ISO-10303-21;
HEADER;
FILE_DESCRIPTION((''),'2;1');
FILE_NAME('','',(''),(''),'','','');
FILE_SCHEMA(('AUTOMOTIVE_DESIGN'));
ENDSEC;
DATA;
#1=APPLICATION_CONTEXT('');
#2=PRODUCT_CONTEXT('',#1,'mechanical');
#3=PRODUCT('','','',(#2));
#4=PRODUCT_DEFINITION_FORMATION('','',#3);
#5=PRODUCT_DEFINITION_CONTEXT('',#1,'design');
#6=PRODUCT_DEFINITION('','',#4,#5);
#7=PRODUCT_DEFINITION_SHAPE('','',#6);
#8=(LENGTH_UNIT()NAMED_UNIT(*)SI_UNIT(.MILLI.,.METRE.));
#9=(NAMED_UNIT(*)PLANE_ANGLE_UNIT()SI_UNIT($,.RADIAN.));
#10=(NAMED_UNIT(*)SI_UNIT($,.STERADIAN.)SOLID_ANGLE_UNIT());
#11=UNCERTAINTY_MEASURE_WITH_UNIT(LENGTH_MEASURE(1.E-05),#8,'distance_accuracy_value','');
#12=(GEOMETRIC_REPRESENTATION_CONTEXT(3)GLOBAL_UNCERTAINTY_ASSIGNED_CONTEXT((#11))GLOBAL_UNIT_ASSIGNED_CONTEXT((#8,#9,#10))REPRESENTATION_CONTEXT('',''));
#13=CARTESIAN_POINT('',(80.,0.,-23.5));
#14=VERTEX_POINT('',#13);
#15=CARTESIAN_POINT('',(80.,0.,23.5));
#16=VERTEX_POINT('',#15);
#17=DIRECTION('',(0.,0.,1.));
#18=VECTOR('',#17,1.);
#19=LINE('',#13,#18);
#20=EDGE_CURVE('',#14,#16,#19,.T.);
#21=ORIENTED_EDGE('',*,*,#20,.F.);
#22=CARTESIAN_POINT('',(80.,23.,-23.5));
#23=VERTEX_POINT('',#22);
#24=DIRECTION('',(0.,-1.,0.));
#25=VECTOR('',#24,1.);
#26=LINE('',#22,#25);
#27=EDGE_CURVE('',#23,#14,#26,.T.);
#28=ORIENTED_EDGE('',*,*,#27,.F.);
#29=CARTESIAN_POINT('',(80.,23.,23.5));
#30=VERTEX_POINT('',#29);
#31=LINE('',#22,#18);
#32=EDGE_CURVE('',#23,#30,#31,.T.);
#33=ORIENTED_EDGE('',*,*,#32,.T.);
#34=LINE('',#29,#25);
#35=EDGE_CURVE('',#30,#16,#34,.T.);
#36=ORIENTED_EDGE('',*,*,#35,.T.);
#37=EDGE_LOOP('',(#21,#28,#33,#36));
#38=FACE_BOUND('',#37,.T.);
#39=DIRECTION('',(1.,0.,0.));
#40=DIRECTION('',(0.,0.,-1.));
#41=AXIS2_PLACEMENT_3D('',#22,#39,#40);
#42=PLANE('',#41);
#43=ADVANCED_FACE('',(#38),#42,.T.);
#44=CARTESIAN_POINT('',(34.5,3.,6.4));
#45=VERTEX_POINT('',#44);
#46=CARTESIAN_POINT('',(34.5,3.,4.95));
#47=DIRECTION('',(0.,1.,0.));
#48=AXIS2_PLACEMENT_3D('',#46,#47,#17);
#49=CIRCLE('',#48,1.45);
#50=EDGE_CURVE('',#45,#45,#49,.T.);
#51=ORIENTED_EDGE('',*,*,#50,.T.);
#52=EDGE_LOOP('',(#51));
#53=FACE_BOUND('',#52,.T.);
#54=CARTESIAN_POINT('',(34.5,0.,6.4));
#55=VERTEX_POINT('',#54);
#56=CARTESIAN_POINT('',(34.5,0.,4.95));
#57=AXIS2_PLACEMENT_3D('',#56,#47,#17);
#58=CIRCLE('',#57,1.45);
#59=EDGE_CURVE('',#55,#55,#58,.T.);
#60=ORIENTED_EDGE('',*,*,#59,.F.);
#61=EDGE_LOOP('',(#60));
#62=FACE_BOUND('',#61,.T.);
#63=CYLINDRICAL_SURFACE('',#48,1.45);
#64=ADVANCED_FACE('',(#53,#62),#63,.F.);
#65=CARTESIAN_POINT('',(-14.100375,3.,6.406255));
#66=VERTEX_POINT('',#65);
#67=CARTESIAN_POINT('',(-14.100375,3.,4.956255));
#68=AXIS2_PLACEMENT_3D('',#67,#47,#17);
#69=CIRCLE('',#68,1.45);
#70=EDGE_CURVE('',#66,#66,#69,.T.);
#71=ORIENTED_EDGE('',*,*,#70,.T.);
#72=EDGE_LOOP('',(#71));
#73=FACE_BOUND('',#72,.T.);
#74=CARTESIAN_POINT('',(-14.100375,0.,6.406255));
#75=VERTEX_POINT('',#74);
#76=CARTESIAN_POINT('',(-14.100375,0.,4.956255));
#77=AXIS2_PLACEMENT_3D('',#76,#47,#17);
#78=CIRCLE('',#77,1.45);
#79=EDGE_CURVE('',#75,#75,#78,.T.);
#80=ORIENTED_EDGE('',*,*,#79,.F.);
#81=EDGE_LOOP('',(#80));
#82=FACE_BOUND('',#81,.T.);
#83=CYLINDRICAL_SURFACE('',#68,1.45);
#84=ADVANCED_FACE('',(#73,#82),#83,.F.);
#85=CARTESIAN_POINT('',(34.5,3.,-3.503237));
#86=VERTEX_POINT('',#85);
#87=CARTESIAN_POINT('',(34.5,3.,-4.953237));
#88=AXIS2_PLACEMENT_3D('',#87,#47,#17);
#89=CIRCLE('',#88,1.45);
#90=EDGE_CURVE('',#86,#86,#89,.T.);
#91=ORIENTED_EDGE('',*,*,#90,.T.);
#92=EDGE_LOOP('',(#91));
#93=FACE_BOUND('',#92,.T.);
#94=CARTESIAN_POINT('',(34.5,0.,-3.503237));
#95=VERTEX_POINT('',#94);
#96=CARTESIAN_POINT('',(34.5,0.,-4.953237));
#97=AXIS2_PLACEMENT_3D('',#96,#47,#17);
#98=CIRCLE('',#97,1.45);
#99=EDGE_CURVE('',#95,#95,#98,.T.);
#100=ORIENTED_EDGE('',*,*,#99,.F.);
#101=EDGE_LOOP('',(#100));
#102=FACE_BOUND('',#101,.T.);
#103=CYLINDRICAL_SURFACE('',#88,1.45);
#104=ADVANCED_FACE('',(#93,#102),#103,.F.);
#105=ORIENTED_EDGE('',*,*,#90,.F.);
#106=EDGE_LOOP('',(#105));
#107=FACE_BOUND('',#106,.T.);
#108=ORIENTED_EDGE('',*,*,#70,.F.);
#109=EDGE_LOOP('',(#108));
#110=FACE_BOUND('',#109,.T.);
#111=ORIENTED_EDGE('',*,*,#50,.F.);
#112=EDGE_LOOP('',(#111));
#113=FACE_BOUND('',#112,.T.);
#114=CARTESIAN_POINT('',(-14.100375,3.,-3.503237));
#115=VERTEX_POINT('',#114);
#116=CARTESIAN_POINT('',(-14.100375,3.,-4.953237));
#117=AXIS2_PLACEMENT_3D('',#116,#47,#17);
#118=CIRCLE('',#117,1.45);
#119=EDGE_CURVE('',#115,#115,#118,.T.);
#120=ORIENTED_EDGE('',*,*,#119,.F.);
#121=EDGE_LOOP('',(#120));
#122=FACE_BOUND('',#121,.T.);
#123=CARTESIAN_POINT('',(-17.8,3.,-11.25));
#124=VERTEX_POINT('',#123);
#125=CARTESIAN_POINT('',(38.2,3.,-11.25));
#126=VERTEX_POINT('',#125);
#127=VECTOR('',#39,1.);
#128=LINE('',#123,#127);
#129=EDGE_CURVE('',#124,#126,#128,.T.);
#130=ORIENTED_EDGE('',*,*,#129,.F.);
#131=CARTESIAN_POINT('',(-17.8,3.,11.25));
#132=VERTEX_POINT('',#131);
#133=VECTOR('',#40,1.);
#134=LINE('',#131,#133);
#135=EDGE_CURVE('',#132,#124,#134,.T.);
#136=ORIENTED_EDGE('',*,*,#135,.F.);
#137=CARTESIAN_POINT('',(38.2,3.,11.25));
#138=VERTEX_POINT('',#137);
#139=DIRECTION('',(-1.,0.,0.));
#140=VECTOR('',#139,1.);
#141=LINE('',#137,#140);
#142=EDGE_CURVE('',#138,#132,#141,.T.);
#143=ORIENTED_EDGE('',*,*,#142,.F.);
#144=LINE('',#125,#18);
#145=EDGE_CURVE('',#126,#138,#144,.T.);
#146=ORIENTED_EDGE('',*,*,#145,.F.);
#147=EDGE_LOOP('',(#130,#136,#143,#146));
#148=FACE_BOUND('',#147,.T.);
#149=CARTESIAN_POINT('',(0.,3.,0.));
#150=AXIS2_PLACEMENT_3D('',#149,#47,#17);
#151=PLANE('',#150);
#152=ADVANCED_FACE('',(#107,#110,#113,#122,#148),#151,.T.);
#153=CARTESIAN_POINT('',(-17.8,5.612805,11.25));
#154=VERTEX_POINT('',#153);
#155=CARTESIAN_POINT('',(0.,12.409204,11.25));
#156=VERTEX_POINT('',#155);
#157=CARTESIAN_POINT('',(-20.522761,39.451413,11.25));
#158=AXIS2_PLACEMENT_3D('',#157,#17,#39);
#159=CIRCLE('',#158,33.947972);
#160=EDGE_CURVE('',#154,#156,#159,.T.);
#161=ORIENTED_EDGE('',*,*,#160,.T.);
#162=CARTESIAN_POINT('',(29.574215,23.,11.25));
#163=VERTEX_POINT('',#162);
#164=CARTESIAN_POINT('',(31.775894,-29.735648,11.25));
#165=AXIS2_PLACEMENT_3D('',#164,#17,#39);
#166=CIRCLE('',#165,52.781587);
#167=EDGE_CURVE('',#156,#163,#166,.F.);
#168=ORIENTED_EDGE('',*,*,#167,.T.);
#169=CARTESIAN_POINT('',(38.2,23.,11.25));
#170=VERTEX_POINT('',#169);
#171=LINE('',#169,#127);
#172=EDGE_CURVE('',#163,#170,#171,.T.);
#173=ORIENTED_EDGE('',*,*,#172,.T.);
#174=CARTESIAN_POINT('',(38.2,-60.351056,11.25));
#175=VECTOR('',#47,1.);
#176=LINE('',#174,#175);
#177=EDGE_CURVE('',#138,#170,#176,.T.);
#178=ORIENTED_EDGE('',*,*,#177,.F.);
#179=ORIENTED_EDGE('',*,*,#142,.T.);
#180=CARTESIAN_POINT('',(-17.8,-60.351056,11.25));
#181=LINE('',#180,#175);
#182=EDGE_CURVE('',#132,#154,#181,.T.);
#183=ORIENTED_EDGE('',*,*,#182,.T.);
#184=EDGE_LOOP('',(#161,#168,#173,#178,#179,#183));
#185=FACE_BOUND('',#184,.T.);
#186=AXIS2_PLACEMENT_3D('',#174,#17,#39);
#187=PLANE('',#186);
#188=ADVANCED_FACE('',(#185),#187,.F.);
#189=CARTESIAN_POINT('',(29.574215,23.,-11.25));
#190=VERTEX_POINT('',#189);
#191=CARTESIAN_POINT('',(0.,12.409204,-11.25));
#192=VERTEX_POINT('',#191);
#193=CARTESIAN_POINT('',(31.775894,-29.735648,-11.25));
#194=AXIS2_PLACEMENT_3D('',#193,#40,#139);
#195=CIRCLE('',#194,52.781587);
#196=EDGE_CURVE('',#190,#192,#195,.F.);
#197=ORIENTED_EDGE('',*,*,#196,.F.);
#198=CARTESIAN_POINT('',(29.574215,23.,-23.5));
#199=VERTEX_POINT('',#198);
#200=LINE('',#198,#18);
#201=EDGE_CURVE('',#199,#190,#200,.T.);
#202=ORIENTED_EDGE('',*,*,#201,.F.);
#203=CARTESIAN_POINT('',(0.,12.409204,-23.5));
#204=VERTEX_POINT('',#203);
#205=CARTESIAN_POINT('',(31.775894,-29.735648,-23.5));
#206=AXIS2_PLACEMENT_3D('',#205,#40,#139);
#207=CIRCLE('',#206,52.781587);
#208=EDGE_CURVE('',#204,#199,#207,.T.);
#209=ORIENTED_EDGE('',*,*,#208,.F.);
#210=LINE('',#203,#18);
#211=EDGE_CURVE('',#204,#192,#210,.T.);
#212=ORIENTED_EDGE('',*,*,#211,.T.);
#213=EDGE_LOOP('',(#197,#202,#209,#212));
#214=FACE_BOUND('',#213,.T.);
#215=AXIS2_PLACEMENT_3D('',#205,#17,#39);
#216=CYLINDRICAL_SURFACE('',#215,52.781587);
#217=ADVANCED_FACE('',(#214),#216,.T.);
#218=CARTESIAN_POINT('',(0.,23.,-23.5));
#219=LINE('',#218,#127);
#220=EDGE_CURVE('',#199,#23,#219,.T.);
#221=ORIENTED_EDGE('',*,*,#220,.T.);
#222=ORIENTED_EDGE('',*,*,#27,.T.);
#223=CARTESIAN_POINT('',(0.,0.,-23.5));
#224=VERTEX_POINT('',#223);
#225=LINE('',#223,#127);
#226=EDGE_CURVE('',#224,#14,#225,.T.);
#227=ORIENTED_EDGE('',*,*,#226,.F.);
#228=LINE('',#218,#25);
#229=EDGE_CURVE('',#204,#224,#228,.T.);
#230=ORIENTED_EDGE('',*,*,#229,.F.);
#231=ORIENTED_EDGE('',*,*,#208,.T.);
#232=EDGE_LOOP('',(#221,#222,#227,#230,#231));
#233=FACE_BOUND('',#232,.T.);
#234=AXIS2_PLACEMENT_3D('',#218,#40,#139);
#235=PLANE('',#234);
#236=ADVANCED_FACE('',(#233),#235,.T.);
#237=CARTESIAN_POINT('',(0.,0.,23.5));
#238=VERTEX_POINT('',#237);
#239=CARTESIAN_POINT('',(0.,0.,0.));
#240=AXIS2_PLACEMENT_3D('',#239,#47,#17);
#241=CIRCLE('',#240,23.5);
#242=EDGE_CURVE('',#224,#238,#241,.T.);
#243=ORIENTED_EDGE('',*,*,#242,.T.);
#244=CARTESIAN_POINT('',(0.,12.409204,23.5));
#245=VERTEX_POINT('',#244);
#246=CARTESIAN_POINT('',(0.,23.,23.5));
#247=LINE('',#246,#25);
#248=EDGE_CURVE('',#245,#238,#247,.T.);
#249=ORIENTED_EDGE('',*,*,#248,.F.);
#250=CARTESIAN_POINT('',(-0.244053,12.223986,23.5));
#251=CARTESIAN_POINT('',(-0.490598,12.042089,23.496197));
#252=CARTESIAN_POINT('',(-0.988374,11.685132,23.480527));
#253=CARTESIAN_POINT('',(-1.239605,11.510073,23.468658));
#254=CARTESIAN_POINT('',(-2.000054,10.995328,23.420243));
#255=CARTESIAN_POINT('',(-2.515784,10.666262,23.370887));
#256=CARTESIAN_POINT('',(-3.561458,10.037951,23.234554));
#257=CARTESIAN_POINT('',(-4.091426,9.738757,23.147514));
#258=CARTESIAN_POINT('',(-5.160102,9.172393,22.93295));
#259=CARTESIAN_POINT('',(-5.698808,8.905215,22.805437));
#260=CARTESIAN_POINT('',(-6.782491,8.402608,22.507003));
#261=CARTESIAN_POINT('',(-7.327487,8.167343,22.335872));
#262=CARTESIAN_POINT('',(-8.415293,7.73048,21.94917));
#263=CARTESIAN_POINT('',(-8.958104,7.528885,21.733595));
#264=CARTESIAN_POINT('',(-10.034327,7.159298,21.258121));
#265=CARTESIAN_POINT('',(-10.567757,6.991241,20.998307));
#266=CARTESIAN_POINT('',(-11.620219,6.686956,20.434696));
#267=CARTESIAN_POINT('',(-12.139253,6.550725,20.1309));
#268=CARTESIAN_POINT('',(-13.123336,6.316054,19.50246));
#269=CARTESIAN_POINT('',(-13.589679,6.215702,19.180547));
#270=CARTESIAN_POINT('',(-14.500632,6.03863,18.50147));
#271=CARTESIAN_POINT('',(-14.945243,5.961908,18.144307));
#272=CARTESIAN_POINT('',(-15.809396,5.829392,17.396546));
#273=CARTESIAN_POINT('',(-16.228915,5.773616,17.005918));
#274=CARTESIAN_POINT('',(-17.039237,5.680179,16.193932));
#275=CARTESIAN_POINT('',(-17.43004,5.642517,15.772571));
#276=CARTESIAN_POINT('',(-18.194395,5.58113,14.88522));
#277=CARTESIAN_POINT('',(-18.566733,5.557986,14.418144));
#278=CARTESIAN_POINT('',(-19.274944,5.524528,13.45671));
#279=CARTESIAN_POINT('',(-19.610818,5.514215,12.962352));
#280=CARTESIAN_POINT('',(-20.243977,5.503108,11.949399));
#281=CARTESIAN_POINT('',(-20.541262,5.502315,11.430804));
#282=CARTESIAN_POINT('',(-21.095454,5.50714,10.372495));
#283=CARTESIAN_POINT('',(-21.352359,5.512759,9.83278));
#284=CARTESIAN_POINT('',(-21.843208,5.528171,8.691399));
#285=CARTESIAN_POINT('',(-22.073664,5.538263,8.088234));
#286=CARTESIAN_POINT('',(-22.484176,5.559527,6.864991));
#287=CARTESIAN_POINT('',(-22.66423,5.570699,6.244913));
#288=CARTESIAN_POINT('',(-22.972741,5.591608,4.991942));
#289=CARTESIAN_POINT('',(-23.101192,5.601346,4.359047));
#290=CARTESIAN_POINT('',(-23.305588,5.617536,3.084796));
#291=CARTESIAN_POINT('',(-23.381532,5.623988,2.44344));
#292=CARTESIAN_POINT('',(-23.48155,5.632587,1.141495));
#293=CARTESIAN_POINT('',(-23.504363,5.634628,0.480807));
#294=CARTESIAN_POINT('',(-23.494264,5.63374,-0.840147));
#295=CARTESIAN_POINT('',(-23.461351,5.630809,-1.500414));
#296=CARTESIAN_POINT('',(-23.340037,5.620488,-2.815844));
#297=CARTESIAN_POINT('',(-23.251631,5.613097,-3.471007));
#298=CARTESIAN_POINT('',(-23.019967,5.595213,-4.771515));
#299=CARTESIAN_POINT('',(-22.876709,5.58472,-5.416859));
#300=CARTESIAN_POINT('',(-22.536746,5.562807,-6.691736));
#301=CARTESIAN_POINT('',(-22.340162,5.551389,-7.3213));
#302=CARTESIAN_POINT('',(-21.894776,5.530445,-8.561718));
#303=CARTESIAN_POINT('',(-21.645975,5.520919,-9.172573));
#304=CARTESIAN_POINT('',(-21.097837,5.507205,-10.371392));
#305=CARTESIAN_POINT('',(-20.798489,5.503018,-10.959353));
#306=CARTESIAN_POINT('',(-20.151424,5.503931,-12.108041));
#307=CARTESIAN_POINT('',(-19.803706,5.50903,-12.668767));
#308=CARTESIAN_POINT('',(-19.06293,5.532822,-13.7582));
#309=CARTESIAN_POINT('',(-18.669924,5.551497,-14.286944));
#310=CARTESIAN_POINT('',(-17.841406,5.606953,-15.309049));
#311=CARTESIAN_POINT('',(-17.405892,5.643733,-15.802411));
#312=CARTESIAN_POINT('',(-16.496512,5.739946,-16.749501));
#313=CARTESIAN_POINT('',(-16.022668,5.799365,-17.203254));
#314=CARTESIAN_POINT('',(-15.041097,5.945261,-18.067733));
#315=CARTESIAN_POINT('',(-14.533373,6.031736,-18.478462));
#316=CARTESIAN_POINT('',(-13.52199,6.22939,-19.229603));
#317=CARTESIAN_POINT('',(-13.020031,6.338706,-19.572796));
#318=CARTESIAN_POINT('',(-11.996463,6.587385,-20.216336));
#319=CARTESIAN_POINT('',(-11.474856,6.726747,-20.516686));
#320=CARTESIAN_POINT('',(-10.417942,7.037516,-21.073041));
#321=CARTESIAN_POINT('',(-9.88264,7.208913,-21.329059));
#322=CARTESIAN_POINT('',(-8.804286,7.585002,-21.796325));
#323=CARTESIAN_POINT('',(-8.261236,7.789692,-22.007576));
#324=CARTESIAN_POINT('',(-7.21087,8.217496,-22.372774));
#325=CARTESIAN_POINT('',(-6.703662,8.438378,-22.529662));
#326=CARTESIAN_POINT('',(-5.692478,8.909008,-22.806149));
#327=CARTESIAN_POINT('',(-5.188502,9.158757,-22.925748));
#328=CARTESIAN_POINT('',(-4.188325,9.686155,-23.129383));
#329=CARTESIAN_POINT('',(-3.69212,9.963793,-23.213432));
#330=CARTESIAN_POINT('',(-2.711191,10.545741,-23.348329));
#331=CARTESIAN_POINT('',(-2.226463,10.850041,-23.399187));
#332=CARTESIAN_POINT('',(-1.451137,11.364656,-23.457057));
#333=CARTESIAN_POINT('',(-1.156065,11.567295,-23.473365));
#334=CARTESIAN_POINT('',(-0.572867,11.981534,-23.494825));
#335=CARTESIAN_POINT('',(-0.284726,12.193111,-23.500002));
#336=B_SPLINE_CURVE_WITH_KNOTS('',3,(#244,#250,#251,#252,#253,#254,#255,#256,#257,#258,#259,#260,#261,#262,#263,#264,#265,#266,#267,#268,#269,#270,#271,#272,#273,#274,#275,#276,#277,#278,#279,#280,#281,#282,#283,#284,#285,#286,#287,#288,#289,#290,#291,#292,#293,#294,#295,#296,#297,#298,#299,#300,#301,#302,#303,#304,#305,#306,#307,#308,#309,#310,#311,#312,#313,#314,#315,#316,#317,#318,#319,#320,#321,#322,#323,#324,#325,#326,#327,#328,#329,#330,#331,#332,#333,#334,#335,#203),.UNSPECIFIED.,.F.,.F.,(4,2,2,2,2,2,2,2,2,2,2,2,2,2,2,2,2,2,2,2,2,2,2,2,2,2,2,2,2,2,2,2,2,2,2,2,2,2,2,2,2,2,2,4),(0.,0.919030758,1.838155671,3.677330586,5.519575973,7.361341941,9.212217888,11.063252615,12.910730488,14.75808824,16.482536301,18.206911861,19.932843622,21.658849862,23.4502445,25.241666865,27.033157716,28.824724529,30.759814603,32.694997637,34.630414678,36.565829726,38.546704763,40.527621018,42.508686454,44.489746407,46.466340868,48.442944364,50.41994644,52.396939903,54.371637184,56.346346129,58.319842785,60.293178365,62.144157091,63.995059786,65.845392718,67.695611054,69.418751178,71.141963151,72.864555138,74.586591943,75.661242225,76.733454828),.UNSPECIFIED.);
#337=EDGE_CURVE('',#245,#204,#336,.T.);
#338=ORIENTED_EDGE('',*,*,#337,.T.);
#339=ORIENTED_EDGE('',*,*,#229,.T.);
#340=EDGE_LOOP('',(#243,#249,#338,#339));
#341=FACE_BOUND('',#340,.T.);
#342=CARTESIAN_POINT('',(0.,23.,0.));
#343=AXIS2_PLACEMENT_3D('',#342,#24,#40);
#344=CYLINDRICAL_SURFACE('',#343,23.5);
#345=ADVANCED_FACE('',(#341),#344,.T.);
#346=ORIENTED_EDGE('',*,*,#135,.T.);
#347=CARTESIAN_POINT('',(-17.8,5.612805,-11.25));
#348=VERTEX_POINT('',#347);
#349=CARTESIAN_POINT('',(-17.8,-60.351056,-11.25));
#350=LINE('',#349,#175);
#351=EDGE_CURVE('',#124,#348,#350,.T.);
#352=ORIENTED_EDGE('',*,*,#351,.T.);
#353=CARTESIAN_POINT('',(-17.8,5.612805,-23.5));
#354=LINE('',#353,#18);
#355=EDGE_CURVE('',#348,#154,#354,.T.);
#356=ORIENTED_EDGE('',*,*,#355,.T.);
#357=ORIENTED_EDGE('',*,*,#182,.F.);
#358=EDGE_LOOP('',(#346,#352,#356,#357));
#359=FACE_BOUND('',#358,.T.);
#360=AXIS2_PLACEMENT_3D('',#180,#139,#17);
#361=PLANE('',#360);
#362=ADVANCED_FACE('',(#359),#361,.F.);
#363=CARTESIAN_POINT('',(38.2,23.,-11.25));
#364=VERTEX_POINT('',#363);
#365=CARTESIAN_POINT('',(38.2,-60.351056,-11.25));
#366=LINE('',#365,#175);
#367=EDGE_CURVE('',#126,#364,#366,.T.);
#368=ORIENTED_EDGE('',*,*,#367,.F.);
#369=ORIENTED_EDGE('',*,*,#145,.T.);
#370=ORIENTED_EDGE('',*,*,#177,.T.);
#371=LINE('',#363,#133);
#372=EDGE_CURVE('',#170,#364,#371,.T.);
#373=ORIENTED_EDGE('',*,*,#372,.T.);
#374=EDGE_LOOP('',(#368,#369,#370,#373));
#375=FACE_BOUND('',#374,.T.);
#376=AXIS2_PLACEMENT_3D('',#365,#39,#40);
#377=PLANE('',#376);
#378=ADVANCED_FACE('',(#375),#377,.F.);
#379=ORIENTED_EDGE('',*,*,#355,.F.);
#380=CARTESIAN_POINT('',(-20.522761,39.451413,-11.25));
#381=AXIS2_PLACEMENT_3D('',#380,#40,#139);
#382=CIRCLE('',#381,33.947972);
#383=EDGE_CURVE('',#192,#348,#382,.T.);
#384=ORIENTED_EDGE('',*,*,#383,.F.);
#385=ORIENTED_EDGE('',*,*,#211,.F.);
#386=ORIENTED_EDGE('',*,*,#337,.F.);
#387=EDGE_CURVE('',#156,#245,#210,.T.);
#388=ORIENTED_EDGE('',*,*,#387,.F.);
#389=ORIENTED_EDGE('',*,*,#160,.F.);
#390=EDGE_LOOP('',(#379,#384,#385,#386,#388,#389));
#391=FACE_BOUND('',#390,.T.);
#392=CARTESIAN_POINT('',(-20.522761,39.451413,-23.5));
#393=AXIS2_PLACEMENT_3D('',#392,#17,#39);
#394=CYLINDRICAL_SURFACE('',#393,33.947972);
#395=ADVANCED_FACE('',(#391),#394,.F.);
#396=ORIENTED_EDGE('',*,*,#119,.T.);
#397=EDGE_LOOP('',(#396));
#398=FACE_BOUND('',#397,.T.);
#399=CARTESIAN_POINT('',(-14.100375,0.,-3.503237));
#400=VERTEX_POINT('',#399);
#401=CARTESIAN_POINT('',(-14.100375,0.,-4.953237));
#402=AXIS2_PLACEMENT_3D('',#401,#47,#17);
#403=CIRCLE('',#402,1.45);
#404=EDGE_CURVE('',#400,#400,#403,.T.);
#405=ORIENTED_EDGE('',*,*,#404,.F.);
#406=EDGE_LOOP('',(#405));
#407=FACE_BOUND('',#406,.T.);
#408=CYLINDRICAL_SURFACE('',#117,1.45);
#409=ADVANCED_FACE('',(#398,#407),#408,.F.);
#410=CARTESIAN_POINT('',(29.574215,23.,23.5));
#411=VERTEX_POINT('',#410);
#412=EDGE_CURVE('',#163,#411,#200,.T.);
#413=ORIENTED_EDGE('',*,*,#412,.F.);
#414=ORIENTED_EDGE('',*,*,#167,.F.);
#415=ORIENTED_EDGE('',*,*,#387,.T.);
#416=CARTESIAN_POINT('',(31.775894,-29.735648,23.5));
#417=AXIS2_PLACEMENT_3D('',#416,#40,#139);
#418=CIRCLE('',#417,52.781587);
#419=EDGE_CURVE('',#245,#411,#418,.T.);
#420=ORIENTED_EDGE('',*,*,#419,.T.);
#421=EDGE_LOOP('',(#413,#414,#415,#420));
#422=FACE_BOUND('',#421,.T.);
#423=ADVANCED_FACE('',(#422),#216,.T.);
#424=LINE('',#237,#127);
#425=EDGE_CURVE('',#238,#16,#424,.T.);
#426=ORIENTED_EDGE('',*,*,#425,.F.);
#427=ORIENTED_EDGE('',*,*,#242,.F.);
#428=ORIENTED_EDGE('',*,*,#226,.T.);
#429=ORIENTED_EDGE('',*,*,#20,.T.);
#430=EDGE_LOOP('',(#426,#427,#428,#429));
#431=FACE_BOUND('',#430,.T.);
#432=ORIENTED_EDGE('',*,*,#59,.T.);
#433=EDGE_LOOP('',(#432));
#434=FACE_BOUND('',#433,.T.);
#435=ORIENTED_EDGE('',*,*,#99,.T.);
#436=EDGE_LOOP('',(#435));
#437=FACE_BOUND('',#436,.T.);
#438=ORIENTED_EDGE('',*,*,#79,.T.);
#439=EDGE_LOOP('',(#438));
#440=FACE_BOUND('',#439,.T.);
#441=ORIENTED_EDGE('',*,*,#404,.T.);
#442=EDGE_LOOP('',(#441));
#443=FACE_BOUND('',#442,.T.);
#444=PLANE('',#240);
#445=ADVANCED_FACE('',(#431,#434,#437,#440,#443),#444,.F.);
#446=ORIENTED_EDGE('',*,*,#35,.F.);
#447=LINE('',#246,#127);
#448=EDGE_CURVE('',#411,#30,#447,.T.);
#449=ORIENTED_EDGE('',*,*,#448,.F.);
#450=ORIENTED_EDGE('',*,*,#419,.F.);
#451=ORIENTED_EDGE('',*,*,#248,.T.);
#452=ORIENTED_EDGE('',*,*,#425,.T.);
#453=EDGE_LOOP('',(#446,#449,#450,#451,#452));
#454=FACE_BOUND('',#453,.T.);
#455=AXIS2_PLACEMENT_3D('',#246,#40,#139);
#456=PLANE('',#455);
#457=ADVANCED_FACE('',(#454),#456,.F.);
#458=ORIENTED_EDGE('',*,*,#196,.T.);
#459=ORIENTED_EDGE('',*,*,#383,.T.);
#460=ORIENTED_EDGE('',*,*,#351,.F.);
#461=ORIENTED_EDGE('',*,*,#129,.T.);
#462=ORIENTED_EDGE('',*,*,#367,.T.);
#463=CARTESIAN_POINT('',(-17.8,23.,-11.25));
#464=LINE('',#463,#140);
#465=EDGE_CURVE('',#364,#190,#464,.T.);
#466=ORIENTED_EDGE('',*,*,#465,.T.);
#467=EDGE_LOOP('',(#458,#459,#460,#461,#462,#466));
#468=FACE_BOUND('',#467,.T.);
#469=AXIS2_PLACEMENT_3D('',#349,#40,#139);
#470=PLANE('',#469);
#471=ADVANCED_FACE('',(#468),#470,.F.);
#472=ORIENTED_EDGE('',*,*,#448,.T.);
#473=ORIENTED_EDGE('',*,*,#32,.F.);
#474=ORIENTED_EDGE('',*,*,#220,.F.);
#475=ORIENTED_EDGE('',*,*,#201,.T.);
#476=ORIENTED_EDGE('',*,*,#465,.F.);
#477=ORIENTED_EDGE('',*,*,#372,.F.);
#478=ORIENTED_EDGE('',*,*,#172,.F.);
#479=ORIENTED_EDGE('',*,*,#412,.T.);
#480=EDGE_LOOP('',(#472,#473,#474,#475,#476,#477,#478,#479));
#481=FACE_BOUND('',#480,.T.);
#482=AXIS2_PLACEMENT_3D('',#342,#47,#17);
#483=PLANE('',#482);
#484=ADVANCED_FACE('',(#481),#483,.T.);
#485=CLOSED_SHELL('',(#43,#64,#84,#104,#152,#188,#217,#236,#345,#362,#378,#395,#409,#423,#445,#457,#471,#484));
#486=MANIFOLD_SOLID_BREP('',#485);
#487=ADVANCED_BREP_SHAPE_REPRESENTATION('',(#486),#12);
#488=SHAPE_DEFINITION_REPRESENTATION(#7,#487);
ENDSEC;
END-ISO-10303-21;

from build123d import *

# Parameters (mm, degrees)
SKETCH1_R               = 23.5
SKETCH1_W               = 80
SKETCH1_H               = 47
BOSS_EXTRUDE1_DEPTH     = 23
SKETCH3_W               = 56
SKETCH3_H               = 22.5
CUT_EXTRUDE1_DEPTH      = 20
CUT_EXTRUDE2_DEPTH      = 48
M3_5X0_6_TAPPED_HOLE1_D = 2.9


with BuildPart() as part:
    # Sketch1 → Boss-Extrude1 (new body)
    with BuildSketch(Plane(origin=(0, 0, 0), x_dir=(1, 0, 0), z_dir=(0, 1, 0))):
        Circle(SKETCH1_R)
        with Locations((40, 0)):
            Rectangle(SKETCH1_W, SKETCH1_H)
    extrude(amount=BOSS_EXTRUDE1_DEPTH)

    # Sketch3 → Cut-Extrude1 (cut)
    with BuildSketch(Plane(origin=(0, 23, 0), x_dir=(1, 0, 0), z_dir=(0, 1, 0))):
        with Locations((10.2, 0)):
            Rectangle(SKETCH3_W, SKETCH3_H)
    extrude(amount=-CUT_EXTRUDE1_DEPTH, mode=Mode.SUBTRACT)

    # Sketch4 → Cut-Extrude2 (cut, through all)
    with BuildSketch(Plane.XY.offset(23.5)):
        with BuildLine():
            Line((0, 23), (29.574214856, 23))
            ThreePointArc((29.574214856, 23), (13.980947767, 19.955758133), (0, 12.409203517))
            ThreePointArc((0, 12.409203517), (-11.118700592, 6.831963759), (-23.5, 5.634244617))
            Line((-23.5, 5.634244617), (-23.5, 23))
            Line((-23.5, 23), (0, 23))
        make_face()
    extrude(amount=-CUT_EXTRUDE2_DEPTH, mode=Mode.SUBTRACT)

    # M3.5x0.6 Tapped Hole1 (through all)
    with Locations(Plane(origin=(0, 3, 0), x_dir=(1, 0, 0), z_dir=(0, 1, 0))):
        with Locations((-14.100375238, 4.953237367), (-14.100375238, -4.956255047), (34.5, -4.95), (34.5, 4.953237367)):
            Hole(M3_5X0_6_TAPPED_HOLE1_D / 2)


solid = part.part
